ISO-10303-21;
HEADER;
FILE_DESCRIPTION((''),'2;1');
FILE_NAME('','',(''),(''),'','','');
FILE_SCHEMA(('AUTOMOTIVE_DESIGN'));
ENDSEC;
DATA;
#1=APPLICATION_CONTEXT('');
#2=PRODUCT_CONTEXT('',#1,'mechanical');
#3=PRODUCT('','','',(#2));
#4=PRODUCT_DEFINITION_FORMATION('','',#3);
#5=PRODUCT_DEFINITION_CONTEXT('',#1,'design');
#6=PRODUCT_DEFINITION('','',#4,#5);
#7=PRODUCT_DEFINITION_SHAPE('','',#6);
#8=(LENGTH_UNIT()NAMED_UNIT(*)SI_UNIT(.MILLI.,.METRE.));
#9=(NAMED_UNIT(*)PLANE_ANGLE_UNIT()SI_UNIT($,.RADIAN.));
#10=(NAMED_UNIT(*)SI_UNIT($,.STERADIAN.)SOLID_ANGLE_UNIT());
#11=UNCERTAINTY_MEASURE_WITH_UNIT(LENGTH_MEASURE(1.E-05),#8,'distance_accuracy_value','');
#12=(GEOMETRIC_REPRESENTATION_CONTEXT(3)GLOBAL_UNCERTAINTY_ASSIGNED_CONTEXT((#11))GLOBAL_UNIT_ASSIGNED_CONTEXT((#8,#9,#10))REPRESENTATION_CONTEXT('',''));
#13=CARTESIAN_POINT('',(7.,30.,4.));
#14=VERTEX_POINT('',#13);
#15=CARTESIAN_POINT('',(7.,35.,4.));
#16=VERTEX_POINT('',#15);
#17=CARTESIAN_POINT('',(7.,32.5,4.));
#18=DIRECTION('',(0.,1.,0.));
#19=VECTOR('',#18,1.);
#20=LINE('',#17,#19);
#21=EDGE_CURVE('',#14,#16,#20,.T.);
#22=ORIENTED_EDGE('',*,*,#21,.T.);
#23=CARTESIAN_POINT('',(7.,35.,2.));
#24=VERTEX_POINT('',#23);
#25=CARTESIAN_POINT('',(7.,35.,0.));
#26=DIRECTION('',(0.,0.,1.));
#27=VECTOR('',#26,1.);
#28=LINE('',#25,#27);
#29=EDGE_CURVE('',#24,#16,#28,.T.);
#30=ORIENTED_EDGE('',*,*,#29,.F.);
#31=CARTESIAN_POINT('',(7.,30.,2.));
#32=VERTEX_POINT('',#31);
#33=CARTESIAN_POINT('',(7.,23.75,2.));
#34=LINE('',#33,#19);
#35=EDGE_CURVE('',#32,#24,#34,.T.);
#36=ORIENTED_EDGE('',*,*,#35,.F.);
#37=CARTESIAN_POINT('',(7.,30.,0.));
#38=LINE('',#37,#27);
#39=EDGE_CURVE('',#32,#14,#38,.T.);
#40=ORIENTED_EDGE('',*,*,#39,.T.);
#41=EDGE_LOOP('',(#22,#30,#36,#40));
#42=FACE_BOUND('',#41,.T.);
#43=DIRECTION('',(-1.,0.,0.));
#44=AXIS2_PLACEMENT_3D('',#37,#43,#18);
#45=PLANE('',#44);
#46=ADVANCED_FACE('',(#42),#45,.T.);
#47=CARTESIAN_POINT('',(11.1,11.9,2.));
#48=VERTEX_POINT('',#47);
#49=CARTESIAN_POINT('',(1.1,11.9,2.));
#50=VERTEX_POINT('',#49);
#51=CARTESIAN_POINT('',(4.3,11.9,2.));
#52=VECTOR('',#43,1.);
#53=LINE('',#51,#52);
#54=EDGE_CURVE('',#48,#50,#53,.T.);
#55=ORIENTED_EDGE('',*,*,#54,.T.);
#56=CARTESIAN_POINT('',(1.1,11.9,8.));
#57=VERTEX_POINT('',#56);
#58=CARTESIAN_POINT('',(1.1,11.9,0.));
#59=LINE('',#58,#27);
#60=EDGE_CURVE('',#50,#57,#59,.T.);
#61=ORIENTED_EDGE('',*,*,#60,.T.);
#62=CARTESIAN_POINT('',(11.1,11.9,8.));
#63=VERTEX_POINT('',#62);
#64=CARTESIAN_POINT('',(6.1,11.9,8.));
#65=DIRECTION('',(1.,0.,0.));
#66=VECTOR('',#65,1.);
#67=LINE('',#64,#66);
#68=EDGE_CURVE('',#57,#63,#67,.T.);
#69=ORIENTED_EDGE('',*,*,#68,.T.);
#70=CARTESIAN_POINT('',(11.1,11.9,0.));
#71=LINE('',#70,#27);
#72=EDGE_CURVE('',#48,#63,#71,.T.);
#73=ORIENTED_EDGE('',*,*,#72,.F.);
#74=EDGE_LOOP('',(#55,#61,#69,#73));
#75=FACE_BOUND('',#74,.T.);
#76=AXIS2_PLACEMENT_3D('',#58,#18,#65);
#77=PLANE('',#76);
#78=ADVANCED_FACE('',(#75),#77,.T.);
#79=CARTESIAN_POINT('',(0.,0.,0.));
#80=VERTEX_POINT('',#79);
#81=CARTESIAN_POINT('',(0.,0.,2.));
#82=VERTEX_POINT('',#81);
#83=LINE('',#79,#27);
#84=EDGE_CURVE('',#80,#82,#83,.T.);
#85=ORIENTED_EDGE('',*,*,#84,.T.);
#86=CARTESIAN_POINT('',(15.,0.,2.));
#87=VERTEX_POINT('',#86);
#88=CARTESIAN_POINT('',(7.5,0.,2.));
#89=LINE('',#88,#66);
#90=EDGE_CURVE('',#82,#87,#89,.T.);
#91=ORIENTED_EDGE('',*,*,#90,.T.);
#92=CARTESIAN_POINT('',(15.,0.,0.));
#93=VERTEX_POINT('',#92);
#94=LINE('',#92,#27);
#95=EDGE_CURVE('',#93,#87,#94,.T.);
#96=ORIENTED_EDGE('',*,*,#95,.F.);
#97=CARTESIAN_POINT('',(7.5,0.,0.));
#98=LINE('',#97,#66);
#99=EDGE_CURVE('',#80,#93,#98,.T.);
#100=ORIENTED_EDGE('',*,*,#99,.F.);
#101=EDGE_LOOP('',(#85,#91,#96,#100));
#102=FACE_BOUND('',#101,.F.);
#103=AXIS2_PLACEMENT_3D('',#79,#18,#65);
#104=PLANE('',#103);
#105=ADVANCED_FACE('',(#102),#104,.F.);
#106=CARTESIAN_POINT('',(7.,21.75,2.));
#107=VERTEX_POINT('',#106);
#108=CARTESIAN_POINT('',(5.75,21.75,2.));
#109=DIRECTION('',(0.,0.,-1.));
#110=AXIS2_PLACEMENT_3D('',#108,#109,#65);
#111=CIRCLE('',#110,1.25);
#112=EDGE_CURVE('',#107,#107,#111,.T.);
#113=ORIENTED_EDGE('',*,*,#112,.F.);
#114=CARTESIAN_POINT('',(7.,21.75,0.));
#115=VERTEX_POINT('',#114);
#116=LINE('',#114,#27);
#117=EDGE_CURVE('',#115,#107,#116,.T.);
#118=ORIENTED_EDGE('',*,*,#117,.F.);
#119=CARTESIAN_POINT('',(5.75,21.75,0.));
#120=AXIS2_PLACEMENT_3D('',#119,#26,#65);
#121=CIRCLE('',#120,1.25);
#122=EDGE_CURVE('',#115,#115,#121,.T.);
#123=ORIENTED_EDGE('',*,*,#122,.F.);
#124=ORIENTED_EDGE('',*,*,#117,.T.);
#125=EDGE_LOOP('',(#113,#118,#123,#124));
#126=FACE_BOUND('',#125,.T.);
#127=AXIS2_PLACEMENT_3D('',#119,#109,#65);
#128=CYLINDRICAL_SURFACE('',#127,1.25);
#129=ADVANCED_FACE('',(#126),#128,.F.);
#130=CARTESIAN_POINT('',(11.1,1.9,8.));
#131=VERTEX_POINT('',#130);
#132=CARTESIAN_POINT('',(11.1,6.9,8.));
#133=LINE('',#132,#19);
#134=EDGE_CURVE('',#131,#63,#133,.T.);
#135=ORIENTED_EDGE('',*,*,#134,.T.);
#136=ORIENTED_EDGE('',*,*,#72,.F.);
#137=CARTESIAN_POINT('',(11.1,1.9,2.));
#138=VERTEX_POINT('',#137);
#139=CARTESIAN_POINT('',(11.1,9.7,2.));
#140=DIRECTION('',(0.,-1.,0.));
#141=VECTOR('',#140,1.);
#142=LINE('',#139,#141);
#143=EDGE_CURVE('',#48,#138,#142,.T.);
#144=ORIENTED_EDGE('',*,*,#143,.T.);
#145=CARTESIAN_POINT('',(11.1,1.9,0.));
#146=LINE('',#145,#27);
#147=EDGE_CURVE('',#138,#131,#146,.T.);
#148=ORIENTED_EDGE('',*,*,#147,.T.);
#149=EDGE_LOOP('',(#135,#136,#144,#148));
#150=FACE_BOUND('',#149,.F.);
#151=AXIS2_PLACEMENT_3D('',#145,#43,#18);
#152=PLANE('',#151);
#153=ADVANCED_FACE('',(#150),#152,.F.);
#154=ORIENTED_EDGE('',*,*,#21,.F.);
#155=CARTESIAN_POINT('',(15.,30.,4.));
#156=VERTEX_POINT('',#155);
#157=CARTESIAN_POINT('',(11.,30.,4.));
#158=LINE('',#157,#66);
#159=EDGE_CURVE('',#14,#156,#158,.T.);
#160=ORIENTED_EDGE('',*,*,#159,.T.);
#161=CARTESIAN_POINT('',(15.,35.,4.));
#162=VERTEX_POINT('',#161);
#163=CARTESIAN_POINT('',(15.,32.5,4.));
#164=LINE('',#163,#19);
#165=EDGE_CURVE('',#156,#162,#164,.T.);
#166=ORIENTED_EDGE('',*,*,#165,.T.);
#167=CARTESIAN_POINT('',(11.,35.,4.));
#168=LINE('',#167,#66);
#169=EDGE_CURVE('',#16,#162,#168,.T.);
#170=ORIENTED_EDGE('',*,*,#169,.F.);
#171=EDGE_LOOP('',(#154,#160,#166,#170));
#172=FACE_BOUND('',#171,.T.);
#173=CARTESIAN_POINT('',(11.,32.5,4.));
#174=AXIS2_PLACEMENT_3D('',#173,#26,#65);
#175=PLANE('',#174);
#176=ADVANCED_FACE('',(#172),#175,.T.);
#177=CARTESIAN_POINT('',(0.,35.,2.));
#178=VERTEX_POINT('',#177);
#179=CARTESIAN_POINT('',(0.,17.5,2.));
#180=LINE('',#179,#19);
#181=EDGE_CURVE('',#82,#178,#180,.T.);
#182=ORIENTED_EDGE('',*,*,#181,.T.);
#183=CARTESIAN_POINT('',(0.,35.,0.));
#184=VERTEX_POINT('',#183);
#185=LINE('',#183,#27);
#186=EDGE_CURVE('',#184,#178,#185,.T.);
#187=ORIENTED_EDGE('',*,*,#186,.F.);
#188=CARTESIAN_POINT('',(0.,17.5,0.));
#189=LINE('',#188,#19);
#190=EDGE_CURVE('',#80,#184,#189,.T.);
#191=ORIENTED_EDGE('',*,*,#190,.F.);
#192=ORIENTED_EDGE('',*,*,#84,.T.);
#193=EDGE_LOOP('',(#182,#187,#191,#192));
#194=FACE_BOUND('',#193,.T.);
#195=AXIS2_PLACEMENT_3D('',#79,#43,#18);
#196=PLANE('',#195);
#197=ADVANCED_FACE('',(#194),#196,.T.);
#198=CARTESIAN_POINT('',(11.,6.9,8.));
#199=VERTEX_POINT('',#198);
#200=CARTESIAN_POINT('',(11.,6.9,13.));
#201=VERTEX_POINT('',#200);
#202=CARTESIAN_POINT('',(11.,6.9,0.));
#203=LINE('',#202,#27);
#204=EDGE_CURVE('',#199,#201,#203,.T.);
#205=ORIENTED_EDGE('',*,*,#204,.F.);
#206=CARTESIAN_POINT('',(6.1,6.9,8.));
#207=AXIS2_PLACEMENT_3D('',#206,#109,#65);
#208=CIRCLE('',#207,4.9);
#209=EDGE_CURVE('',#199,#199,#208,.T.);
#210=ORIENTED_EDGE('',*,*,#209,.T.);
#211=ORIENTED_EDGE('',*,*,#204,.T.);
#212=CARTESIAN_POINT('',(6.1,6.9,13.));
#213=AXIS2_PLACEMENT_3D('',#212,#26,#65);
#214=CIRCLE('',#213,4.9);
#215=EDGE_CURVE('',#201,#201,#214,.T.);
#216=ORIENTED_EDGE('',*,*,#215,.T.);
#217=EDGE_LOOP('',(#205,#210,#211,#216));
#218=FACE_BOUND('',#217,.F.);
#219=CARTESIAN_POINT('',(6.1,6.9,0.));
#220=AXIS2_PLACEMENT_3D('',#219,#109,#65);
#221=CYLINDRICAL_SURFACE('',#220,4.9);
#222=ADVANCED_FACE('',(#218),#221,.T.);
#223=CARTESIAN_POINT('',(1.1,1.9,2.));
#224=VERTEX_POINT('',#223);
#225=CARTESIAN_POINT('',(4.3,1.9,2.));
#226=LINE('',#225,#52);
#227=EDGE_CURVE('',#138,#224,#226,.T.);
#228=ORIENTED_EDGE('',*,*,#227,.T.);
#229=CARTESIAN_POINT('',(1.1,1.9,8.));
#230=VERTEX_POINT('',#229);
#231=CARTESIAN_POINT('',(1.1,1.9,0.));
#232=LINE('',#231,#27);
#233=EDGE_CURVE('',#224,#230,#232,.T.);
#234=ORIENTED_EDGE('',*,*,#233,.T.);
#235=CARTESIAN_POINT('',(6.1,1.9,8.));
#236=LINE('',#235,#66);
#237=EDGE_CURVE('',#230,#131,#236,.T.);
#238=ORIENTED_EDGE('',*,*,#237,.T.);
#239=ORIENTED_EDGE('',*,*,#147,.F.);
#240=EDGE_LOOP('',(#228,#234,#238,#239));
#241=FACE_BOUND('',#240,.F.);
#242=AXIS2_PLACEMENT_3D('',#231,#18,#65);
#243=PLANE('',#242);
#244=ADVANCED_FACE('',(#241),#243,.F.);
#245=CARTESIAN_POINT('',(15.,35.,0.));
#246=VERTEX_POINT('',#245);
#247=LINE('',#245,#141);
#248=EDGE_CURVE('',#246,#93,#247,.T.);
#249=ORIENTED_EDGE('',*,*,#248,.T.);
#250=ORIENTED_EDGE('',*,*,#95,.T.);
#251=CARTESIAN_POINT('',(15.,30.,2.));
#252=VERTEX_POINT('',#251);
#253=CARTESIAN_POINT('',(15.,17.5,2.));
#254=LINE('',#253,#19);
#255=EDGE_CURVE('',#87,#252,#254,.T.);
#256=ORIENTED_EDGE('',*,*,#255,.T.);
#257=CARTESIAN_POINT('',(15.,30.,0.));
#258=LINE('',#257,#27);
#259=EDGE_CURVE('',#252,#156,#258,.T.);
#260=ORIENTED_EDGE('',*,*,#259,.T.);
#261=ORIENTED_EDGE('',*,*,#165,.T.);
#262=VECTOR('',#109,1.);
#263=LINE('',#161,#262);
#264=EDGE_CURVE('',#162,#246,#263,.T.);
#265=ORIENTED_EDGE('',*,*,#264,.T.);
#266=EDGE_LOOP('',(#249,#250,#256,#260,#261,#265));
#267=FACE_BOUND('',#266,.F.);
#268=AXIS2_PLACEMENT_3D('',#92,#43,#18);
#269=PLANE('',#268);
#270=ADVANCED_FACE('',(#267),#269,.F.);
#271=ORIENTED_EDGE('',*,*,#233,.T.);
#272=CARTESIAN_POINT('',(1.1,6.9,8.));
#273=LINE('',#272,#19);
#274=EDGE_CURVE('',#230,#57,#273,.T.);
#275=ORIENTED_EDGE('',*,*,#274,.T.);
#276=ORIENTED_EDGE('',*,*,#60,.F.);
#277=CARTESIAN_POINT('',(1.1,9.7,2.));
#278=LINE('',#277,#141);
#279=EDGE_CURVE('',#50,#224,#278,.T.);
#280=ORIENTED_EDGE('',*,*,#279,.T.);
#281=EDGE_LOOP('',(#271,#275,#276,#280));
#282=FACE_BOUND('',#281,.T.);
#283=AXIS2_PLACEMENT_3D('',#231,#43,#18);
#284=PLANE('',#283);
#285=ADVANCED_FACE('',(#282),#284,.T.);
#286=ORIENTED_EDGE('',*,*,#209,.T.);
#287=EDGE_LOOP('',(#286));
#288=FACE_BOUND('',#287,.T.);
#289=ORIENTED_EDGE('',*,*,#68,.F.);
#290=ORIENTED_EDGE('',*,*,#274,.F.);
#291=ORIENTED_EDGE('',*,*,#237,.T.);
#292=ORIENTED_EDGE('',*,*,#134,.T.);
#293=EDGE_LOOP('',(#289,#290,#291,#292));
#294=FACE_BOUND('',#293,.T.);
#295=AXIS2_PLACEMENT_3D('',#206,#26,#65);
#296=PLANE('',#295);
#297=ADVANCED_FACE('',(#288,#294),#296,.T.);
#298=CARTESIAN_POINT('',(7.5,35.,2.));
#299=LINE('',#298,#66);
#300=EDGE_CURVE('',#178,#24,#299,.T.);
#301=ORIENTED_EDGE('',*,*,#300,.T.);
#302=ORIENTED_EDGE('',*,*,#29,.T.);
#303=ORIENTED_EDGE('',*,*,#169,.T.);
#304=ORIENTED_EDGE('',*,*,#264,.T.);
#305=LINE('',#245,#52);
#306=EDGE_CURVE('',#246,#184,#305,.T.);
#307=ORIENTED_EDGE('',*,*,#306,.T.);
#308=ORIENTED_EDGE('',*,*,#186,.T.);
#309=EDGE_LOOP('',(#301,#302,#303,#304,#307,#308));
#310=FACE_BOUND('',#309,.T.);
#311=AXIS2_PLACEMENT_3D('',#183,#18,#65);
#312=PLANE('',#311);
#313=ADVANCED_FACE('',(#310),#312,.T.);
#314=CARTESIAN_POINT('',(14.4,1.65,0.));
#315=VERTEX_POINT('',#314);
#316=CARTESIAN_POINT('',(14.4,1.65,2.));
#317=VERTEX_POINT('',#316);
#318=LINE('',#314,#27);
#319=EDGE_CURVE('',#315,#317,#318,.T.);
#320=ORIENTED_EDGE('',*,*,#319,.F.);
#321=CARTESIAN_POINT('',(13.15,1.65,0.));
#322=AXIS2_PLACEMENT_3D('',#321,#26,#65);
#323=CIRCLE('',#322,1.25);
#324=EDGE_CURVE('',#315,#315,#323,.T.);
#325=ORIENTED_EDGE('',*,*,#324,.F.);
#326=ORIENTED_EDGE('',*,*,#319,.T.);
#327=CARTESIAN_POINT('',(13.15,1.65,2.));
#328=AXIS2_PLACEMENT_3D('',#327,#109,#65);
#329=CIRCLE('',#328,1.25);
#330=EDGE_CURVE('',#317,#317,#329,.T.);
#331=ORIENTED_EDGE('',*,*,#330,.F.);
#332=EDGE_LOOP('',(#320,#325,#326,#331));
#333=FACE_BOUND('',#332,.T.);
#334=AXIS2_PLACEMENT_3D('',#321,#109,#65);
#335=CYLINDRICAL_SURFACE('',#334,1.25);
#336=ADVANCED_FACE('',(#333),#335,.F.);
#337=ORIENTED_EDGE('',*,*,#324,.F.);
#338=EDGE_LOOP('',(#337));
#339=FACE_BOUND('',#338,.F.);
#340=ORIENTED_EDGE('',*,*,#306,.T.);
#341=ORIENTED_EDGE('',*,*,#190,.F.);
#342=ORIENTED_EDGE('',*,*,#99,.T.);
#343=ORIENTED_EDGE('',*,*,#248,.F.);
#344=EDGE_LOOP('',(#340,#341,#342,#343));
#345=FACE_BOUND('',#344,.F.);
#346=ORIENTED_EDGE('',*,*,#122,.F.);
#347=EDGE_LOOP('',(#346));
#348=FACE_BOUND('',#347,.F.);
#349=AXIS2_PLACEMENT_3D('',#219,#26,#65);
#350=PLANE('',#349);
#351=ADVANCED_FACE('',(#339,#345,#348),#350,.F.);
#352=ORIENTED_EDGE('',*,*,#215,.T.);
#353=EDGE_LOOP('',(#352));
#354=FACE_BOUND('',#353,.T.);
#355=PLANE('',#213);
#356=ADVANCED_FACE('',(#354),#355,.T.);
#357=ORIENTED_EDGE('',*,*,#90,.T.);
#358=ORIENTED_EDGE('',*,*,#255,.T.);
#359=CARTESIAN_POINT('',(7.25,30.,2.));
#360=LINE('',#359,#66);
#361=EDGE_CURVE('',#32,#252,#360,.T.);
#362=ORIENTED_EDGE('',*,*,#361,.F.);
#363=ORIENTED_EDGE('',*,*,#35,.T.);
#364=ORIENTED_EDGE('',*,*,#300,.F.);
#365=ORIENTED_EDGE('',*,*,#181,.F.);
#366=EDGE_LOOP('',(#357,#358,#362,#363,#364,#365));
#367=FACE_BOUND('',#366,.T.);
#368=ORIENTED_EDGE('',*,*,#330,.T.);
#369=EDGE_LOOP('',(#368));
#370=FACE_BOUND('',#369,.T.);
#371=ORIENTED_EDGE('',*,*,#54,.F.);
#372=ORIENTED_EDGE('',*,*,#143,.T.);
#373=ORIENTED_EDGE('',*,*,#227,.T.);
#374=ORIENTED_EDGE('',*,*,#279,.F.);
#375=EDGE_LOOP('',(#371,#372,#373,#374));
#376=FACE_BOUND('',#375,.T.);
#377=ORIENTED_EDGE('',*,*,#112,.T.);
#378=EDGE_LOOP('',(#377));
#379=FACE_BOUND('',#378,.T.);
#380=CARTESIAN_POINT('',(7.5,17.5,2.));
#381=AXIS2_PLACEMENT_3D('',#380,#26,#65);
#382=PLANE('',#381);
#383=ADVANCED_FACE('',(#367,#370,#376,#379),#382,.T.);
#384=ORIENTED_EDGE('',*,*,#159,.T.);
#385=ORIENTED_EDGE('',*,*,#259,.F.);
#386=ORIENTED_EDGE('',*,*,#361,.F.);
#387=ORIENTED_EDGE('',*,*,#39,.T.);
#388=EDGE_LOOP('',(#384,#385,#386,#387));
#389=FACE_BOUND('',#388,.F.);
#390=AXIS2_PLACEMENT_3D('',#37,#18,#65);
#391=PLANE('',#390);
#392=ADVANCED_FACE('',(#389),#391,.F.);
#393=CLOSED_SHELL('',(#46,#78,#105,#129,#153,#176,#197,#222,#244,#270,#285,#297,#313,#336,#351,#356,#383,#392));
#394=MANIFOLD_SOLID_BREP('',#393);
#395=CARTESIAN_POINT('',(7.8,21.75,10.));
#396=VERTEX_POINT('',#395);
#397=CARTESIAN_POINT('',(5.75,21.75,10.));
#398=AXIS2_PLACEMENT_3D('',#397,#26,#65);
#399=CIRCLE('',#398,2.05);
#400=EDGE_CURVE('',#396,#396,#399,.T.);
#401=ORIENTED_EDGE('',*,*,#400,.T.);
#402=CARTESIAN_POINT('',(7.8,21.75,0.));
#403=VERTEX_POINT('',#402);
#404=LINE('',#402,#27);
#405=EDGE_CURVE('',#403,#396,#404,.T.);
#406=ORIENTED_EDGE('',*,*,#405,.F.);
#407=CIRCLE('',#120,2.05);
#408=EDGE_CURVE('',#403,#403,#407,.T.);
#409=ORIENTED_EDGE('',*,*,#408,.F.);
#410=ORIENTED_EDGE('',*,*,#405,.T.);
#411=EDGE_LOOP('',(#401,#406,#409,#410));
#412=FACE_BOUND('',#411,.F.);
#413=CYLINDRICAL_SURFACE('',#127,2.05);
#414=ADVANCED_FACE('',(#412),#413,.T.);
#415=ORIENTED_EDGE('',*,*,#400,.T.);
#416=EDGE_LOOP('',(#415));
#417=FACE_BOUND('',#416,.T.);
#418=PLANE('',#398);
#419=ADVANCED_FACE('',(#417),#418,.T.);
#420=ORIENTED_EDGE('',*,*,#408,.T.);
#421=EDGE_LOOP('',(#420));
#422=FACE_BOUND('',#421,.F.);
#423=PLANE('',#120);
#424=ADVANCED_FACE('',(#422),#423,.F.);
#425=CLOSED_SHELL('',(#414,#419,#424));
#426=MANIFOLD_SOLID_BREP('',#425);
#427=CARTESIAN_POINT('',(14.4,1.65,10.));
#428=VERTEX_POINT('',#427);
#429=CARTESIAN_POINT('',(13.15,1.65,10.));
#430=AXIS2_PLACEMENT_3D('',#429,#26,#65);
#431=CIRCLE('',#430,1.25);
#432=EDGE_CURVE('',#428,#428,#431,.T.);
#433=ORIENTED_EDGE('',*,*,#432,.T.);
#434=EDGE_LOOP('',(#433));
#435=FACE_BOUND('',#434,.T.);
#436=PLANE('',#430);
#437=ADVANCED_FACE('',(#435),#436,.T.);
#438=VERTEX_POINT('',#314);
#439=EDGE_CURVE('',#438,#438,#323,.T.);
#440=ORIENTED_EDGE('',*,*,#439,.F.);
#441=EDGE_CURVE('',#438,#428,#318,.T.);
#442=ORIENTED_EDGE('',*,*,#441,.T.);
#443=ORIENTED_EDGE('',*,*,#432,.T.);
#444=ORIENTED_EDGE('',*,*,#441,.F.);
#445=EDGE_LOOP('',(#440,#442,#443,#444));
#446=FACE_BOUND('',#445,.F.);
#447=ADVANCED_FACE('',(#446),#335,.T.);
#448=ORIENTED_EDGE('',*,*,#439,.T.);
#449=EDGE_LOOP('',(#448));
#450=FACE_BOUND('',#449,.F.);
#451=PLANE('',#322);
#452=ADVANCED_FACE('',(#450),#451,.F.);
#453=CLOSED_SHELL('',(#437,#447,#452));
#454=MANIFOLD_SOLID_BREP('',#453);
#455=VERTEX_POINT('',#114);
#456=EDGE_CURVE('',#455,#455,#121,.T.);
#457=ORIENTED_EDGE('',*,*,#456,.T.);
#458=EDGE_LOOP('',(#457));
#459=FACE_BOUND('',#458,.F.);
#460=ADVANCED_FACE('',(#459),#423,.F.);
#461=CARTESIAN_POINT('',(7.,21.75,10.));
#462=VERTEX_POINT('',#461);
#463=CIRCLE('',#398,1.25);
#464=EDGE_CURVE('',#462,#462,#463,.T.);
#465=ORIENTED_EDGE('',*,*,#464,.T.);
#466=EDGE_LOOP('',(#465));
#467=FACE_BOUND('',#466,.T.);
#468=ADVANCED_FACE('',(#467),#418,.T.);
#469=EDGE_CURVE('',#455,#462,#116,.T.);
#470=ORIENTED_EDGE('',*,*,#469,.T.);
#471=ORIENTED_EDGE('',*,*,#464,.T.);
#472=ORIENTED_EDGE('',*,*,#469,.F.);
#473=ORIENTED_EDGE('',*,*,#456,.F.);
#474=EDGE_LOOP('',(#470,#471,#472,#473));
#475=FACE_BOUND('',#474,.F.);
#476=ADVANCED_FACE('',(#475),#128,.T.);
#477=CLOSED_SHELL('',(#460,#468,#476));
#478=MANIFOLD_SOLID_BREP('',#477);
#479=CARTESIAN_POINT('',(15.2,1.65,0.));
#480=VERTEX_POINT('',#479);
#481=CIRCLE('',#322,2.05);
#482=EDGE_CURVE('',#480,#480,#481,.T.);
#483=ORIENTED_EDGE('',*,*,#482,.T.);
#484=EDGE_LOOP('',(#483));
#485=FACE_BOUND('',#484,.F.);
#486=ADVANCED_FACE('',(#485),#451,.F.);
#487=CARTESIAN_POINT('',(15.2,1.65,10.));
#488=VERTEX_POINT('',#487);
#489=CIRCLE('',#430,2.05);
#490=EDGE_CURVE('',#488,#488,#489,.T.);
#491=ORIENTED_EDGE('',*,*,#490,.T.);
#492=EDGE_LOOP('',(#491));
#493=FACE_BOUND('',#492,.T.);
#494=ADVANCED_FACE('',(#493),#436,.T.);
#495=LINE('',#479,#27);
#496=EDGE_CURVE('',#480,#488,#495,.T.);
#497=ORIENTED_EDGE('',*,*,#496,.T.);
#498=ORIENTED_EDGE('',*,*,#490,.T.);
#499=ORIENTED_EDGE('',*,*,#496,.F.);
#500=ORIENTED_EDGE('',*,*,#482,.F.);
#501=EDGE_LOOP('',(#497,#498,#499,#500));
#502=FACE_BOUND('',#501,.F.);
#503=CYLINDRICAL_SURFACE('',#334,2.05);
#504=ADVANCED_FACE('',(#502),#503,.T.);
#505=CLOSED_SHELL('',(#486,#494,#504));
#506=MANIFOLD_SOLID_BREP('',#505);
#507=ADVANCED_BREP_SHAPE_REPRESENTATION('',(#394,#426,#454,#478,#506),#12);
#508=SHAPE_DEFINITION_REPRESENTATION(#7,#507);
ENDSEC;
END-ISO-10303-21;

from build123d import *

# Parameters (mm, degrees)
CYLINDER001_R     = 1.25
CYLINDER001_DEPTH = 10
CYLINDER002_R     = 1.25
CYLINDER002_DEPTH = 10
BOX_W             = 15
BOX_H             = 35
BOX_DEPTH         = 2
BOX001_W          = 10
BOX001_H          = 10
BOX001_DEPTH      = 8
CYLINDER_R        = 4.9
CYLINDER_DEPTH    = 13
BOX002_W          = 8
BOX002_H          = 5
BOX002_DEPTH      = 4
CYLINDER003_R     = 1.25
CYLINDER003_DEPTH = 10
CYLINDER004_R     = 1.25
CYLINDER004_DEPTH = 10
CYLINDER005_R     = 2.05
CYLINDER005_DEPTH = 10
CYLINDER006_R     = 2.05
CYLINDER006_DEPTH = 10


with BuildPart() as cylinder001:
    # Cylinder001 → Cylinder001 (new body)
    with BuildSketch(Plane(origin=(5.75, 21.75, 0), x_dir=(1, 0, 0), z_dir=(0, 0, 1))):
        Circle(CYLINDER001_R)
    extrude(amount=CYLINDER001_DEPTH)


with BuildPart() as screwholes:
    # Cylinder002 → Cylinder002 (new body)
    with BuildSketch(Plane(origin=(13.15, 1.65, 0), x_dir=(1, 0, 0), z_dir=(0, 0, 1))):
        Circle(CYLINDER002_R)
    extrude(amount=CYLINDER002_DEPTH)

    # Fusion001: union Cylinder001
    add(cylinder001.part)


with BuildPart() as cube:
    # Box → Box (new body)
    with BuildSketch(Plane.XY):
        with Locations((7.5, 17.5)):
            Rectangle(BOX_W, BOX_H)
    extrude(amount=BOX_DEPTH)


with BuildPart() as cube001:
    # Box001 → Box001 (new body)
    with BuildSketch(Plane(origin=(1.1, 1.9, 0), x_dir=(1, 0, 0), z_dir=(0, 0, 1))):
        with Locations((5, 5)):
            Rectangle(BOX001_W, BOX001_H)
    extrude(amount=BOX001_DEPTH)


with BuildPart() as cylinder:
    # Cylinder → Cylinder (new body)
    with BuildSketch(Plane(origin=(6.1, 6.9, 0), x_dir=(1, 0, 0), z_dir=(0, 0, 1))):
        Circle(CYLINDER_R)
    extrude(amount=CYLINDER_DEPTH)


with BuildPart() as modelwithholes:
    # Box002 → Box002 (new body)
    with BuildSketch(Plane(origin=(7, 30, 0), x_dir=(1, 0, 0), z_dir=(0, 0, 1))):
        with Locations((4, 2.5)):
            Rectangle(BOX002_W, BOX002_H)
    extrude(amount=BOX002_DEPTH)

    # Fusion: union Cube, Cube001, Cylinder
    add(cube.part)
    add(cube001.part)
    add(cylinder.part)

    # Cut: cut ScrewHoles
    add(screwholes.part, mode=Mode.SUBTRACT)


with BuildPart() as cylinder003:
    # Cylinder003 → Cylinder003 (new body)
    with BuildSketch(Plane(origin=(5.75, 21.75, 0), x_dir=(1, 0, 0), z_dir=(0, 0, 1))):
        Circle(CYLINDER003_R)
    extrude(amount=CYLINDER003_DEPTH)


with BuildPart() as screwtemplates_through:
    # Cylinder004 → Cylinder004 (new body)
    with BuildSketch(Plane(origin=(13.15, 1.65, 0), x_dir=(1, 0, 0), z_dir=(0, 0, 1))):
        Circle(CYLINDER004_R)
    extrude(amount=CYLINDER004_DEPTH)

    # Fusion002: union Cylinder003
    add(cylinder003.part)


with BuildPart() as cylinder005:
    # Cylinder005 → Cylinder005 (new body)
    with BuildSketch(Plane(origin=(5.75, 21.75, 0), x_dir=(1, 0, 0), z_dir=(0, 0, 1))):
        Circle(CYLINDER005_R)
    extrude(amount=CYLINDER005_DEPTH)


with BuildPart() as screwtemplates_core:
    # Cylinder006 → Cylinder006 (new body)
    with BuildSketch(Plane(origin=(13.15, 1.65, 0), x_dir=(1, 0, 0), z_dir=(0, 0, 1))):
        Circle(CYLINDER006_R)
    extrude(amount=CYLINDER006_DEPTH)

    # Fusion003: union Cylinder005
    add(cylinder005.part)


solid = Compound([modelwithholes.part, screwtemplates_through.part, screwtemplates_core.part])
